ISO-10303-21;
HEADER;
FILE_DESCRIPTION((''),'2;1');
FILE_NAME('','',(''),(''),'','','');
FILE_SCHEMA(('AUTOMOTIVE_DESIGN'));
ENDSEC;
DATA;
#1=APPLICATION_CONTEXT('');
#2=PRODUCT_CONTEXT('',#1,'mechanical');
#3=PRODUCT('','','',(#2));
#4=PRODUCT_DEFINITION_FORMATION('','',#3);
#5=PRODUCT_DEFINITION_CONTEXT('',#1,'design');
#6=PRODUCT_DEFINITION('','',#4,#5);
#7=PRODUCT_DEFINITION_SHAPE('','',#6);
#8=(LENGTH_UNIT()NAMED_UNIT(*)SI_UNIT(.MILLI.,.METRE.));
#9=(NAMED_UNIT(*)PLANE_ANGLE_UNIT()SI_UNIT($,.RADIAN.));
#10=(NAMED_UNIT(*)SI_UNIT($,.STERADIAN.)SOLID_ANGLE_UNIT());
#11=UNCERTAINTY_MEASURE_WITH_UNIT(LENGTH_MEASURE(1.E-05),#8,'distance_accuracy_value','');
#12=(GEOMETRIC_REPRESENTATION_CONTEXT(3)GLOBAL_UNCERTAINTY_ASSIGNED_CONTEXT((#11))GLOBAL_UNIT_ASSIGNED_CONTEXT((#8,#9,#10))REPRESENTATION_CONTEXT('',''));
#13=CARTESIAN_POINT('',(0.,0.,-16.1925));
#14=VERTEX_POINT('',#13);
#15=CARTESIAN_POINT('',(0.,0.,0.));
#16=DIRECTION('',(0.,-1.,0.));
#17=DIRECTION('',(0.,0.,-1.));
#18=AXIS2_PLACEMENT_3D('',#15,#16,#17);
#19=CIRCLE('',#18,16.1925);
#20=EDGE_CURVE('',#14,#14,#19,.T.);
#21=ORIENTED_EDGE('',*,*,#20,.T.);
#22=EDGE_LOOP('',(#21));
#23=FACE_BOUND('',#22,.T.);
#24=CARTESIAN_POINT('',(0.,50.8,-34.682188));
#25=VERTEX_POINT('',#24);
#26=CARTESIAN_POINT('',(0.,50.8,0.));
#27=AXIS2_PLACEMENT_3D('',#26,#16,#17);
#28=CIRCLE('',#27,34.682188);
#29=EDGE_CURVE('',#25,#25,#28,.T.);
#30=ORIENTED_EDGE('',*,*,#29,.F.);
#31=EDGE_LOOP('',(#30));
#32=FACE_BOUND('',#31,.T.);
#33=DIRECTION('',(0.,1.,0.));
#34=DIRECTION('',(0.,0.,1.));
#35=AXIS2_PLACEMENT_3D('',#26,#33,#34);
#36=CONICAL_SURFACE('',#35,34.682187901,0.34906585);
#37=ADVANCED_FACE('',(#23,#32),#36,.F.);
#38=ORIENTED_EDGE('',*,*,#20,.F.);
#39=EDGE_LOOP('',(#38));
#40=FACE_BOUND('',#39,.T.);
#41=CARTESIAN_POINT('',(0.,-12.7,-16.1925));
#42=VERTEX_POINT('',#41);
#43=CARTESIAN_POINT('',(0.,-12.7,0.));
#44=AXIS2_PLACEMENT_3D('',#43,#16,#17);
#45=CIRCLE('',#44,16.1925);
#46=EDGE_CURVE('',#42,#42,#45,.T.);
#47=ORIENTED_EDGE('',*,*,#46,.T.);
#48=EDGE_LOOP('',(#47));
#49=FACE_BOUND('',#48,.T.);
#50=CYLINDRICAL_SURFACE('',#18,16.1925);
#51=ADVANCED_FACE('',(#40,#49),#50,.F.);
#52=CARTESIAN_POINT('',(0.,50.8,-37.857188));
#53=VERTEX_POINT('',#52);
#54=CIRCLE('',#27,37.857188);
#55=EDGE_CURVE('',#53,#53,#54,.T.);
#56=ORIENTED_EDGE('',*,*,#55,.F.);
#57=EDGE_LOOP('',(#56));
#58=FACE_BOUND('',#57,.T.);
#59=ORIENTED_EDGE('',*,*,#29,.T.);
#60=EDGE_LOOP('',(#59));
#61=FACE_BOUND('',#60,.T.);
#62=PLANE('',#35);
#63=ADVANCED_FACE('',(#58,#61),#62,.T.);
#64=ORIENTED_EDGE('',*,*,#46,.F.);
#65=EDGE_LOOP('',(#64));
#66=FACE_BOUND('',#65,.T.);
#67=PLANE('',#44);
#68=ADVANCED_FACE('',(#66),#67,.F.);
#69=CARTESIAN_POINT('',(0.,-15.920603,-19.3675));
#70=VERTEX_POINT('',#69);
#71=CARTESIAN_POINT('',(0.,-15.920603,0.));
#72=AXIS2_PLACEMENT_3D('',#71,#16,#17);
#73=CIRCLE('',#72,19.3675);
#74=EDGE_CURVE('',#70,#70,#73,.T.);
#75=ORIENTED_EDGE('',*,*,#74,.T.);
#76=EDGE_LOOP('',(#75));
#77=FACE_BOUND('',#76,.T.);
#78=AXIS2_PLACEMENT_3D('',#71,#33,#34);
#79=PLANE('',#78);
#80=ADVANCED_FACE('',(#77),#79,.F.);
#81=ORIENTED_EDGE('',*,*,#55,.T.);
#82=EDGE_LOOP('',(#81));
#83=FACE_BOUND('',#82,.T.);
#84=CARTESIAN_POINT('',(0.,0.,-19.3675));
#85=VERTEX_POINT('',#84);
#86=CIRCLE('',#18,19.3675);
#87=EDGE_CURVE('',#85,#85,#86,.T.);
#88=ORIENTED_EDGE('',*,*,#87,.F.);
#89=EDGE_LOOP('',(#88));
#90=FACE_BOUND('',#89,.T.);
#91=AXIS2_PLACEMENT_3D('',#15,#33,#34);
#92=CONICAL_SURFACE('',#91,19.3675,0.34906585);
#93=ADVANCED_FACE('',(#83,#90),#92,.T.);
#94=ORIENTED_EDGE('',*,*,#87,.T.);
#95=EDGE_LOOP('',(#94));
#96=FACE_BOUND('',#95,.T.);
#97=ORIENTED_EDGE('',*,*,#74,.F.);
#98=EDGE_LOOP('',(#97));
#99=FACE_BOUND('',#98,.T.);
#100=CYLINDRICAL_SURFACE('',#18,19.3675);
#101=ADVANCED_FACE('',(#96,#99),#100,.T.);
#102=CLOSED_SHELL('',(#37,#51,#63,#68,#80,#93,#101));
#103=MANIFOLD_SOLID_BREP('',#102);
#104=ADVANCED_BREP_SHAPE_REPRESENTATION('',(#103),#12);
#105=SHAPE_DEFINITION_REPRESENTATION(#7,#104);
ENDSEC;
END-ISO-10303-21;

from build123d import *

# Parameters (mm, degrees)
SKETCH1_W = 3.175
SKETCH1_H = 12.7


with BuildPart() as part:
    # Sketch1 → Revolve1 (revolve)
    with BuildSketch(Plane.XY, mode=Mode.PRIVATE) as revolve1_sk:
        Polygon((19.3675, 0), (37.857187901, 50.8), (34.682187901, 50.8), (16.1925, 0), align=None)
        with Locations((17.78, -6.35)):
            Rectangle(SKETCH1_W, SKETCH1_H)
        Polygon((0, -12.7), (16.1925, -12.7), (19.3675, -12.7), (19.3675, -15.920602993), (0, -15.920602993), align=None)
    revolve(revolve1_sk.sketch.rotate(Axis((0, 0, 0), (0, 1, 0)), 90), axis=Axis((0, 0, 0), (0, 1, 0)))


solid = part.part
